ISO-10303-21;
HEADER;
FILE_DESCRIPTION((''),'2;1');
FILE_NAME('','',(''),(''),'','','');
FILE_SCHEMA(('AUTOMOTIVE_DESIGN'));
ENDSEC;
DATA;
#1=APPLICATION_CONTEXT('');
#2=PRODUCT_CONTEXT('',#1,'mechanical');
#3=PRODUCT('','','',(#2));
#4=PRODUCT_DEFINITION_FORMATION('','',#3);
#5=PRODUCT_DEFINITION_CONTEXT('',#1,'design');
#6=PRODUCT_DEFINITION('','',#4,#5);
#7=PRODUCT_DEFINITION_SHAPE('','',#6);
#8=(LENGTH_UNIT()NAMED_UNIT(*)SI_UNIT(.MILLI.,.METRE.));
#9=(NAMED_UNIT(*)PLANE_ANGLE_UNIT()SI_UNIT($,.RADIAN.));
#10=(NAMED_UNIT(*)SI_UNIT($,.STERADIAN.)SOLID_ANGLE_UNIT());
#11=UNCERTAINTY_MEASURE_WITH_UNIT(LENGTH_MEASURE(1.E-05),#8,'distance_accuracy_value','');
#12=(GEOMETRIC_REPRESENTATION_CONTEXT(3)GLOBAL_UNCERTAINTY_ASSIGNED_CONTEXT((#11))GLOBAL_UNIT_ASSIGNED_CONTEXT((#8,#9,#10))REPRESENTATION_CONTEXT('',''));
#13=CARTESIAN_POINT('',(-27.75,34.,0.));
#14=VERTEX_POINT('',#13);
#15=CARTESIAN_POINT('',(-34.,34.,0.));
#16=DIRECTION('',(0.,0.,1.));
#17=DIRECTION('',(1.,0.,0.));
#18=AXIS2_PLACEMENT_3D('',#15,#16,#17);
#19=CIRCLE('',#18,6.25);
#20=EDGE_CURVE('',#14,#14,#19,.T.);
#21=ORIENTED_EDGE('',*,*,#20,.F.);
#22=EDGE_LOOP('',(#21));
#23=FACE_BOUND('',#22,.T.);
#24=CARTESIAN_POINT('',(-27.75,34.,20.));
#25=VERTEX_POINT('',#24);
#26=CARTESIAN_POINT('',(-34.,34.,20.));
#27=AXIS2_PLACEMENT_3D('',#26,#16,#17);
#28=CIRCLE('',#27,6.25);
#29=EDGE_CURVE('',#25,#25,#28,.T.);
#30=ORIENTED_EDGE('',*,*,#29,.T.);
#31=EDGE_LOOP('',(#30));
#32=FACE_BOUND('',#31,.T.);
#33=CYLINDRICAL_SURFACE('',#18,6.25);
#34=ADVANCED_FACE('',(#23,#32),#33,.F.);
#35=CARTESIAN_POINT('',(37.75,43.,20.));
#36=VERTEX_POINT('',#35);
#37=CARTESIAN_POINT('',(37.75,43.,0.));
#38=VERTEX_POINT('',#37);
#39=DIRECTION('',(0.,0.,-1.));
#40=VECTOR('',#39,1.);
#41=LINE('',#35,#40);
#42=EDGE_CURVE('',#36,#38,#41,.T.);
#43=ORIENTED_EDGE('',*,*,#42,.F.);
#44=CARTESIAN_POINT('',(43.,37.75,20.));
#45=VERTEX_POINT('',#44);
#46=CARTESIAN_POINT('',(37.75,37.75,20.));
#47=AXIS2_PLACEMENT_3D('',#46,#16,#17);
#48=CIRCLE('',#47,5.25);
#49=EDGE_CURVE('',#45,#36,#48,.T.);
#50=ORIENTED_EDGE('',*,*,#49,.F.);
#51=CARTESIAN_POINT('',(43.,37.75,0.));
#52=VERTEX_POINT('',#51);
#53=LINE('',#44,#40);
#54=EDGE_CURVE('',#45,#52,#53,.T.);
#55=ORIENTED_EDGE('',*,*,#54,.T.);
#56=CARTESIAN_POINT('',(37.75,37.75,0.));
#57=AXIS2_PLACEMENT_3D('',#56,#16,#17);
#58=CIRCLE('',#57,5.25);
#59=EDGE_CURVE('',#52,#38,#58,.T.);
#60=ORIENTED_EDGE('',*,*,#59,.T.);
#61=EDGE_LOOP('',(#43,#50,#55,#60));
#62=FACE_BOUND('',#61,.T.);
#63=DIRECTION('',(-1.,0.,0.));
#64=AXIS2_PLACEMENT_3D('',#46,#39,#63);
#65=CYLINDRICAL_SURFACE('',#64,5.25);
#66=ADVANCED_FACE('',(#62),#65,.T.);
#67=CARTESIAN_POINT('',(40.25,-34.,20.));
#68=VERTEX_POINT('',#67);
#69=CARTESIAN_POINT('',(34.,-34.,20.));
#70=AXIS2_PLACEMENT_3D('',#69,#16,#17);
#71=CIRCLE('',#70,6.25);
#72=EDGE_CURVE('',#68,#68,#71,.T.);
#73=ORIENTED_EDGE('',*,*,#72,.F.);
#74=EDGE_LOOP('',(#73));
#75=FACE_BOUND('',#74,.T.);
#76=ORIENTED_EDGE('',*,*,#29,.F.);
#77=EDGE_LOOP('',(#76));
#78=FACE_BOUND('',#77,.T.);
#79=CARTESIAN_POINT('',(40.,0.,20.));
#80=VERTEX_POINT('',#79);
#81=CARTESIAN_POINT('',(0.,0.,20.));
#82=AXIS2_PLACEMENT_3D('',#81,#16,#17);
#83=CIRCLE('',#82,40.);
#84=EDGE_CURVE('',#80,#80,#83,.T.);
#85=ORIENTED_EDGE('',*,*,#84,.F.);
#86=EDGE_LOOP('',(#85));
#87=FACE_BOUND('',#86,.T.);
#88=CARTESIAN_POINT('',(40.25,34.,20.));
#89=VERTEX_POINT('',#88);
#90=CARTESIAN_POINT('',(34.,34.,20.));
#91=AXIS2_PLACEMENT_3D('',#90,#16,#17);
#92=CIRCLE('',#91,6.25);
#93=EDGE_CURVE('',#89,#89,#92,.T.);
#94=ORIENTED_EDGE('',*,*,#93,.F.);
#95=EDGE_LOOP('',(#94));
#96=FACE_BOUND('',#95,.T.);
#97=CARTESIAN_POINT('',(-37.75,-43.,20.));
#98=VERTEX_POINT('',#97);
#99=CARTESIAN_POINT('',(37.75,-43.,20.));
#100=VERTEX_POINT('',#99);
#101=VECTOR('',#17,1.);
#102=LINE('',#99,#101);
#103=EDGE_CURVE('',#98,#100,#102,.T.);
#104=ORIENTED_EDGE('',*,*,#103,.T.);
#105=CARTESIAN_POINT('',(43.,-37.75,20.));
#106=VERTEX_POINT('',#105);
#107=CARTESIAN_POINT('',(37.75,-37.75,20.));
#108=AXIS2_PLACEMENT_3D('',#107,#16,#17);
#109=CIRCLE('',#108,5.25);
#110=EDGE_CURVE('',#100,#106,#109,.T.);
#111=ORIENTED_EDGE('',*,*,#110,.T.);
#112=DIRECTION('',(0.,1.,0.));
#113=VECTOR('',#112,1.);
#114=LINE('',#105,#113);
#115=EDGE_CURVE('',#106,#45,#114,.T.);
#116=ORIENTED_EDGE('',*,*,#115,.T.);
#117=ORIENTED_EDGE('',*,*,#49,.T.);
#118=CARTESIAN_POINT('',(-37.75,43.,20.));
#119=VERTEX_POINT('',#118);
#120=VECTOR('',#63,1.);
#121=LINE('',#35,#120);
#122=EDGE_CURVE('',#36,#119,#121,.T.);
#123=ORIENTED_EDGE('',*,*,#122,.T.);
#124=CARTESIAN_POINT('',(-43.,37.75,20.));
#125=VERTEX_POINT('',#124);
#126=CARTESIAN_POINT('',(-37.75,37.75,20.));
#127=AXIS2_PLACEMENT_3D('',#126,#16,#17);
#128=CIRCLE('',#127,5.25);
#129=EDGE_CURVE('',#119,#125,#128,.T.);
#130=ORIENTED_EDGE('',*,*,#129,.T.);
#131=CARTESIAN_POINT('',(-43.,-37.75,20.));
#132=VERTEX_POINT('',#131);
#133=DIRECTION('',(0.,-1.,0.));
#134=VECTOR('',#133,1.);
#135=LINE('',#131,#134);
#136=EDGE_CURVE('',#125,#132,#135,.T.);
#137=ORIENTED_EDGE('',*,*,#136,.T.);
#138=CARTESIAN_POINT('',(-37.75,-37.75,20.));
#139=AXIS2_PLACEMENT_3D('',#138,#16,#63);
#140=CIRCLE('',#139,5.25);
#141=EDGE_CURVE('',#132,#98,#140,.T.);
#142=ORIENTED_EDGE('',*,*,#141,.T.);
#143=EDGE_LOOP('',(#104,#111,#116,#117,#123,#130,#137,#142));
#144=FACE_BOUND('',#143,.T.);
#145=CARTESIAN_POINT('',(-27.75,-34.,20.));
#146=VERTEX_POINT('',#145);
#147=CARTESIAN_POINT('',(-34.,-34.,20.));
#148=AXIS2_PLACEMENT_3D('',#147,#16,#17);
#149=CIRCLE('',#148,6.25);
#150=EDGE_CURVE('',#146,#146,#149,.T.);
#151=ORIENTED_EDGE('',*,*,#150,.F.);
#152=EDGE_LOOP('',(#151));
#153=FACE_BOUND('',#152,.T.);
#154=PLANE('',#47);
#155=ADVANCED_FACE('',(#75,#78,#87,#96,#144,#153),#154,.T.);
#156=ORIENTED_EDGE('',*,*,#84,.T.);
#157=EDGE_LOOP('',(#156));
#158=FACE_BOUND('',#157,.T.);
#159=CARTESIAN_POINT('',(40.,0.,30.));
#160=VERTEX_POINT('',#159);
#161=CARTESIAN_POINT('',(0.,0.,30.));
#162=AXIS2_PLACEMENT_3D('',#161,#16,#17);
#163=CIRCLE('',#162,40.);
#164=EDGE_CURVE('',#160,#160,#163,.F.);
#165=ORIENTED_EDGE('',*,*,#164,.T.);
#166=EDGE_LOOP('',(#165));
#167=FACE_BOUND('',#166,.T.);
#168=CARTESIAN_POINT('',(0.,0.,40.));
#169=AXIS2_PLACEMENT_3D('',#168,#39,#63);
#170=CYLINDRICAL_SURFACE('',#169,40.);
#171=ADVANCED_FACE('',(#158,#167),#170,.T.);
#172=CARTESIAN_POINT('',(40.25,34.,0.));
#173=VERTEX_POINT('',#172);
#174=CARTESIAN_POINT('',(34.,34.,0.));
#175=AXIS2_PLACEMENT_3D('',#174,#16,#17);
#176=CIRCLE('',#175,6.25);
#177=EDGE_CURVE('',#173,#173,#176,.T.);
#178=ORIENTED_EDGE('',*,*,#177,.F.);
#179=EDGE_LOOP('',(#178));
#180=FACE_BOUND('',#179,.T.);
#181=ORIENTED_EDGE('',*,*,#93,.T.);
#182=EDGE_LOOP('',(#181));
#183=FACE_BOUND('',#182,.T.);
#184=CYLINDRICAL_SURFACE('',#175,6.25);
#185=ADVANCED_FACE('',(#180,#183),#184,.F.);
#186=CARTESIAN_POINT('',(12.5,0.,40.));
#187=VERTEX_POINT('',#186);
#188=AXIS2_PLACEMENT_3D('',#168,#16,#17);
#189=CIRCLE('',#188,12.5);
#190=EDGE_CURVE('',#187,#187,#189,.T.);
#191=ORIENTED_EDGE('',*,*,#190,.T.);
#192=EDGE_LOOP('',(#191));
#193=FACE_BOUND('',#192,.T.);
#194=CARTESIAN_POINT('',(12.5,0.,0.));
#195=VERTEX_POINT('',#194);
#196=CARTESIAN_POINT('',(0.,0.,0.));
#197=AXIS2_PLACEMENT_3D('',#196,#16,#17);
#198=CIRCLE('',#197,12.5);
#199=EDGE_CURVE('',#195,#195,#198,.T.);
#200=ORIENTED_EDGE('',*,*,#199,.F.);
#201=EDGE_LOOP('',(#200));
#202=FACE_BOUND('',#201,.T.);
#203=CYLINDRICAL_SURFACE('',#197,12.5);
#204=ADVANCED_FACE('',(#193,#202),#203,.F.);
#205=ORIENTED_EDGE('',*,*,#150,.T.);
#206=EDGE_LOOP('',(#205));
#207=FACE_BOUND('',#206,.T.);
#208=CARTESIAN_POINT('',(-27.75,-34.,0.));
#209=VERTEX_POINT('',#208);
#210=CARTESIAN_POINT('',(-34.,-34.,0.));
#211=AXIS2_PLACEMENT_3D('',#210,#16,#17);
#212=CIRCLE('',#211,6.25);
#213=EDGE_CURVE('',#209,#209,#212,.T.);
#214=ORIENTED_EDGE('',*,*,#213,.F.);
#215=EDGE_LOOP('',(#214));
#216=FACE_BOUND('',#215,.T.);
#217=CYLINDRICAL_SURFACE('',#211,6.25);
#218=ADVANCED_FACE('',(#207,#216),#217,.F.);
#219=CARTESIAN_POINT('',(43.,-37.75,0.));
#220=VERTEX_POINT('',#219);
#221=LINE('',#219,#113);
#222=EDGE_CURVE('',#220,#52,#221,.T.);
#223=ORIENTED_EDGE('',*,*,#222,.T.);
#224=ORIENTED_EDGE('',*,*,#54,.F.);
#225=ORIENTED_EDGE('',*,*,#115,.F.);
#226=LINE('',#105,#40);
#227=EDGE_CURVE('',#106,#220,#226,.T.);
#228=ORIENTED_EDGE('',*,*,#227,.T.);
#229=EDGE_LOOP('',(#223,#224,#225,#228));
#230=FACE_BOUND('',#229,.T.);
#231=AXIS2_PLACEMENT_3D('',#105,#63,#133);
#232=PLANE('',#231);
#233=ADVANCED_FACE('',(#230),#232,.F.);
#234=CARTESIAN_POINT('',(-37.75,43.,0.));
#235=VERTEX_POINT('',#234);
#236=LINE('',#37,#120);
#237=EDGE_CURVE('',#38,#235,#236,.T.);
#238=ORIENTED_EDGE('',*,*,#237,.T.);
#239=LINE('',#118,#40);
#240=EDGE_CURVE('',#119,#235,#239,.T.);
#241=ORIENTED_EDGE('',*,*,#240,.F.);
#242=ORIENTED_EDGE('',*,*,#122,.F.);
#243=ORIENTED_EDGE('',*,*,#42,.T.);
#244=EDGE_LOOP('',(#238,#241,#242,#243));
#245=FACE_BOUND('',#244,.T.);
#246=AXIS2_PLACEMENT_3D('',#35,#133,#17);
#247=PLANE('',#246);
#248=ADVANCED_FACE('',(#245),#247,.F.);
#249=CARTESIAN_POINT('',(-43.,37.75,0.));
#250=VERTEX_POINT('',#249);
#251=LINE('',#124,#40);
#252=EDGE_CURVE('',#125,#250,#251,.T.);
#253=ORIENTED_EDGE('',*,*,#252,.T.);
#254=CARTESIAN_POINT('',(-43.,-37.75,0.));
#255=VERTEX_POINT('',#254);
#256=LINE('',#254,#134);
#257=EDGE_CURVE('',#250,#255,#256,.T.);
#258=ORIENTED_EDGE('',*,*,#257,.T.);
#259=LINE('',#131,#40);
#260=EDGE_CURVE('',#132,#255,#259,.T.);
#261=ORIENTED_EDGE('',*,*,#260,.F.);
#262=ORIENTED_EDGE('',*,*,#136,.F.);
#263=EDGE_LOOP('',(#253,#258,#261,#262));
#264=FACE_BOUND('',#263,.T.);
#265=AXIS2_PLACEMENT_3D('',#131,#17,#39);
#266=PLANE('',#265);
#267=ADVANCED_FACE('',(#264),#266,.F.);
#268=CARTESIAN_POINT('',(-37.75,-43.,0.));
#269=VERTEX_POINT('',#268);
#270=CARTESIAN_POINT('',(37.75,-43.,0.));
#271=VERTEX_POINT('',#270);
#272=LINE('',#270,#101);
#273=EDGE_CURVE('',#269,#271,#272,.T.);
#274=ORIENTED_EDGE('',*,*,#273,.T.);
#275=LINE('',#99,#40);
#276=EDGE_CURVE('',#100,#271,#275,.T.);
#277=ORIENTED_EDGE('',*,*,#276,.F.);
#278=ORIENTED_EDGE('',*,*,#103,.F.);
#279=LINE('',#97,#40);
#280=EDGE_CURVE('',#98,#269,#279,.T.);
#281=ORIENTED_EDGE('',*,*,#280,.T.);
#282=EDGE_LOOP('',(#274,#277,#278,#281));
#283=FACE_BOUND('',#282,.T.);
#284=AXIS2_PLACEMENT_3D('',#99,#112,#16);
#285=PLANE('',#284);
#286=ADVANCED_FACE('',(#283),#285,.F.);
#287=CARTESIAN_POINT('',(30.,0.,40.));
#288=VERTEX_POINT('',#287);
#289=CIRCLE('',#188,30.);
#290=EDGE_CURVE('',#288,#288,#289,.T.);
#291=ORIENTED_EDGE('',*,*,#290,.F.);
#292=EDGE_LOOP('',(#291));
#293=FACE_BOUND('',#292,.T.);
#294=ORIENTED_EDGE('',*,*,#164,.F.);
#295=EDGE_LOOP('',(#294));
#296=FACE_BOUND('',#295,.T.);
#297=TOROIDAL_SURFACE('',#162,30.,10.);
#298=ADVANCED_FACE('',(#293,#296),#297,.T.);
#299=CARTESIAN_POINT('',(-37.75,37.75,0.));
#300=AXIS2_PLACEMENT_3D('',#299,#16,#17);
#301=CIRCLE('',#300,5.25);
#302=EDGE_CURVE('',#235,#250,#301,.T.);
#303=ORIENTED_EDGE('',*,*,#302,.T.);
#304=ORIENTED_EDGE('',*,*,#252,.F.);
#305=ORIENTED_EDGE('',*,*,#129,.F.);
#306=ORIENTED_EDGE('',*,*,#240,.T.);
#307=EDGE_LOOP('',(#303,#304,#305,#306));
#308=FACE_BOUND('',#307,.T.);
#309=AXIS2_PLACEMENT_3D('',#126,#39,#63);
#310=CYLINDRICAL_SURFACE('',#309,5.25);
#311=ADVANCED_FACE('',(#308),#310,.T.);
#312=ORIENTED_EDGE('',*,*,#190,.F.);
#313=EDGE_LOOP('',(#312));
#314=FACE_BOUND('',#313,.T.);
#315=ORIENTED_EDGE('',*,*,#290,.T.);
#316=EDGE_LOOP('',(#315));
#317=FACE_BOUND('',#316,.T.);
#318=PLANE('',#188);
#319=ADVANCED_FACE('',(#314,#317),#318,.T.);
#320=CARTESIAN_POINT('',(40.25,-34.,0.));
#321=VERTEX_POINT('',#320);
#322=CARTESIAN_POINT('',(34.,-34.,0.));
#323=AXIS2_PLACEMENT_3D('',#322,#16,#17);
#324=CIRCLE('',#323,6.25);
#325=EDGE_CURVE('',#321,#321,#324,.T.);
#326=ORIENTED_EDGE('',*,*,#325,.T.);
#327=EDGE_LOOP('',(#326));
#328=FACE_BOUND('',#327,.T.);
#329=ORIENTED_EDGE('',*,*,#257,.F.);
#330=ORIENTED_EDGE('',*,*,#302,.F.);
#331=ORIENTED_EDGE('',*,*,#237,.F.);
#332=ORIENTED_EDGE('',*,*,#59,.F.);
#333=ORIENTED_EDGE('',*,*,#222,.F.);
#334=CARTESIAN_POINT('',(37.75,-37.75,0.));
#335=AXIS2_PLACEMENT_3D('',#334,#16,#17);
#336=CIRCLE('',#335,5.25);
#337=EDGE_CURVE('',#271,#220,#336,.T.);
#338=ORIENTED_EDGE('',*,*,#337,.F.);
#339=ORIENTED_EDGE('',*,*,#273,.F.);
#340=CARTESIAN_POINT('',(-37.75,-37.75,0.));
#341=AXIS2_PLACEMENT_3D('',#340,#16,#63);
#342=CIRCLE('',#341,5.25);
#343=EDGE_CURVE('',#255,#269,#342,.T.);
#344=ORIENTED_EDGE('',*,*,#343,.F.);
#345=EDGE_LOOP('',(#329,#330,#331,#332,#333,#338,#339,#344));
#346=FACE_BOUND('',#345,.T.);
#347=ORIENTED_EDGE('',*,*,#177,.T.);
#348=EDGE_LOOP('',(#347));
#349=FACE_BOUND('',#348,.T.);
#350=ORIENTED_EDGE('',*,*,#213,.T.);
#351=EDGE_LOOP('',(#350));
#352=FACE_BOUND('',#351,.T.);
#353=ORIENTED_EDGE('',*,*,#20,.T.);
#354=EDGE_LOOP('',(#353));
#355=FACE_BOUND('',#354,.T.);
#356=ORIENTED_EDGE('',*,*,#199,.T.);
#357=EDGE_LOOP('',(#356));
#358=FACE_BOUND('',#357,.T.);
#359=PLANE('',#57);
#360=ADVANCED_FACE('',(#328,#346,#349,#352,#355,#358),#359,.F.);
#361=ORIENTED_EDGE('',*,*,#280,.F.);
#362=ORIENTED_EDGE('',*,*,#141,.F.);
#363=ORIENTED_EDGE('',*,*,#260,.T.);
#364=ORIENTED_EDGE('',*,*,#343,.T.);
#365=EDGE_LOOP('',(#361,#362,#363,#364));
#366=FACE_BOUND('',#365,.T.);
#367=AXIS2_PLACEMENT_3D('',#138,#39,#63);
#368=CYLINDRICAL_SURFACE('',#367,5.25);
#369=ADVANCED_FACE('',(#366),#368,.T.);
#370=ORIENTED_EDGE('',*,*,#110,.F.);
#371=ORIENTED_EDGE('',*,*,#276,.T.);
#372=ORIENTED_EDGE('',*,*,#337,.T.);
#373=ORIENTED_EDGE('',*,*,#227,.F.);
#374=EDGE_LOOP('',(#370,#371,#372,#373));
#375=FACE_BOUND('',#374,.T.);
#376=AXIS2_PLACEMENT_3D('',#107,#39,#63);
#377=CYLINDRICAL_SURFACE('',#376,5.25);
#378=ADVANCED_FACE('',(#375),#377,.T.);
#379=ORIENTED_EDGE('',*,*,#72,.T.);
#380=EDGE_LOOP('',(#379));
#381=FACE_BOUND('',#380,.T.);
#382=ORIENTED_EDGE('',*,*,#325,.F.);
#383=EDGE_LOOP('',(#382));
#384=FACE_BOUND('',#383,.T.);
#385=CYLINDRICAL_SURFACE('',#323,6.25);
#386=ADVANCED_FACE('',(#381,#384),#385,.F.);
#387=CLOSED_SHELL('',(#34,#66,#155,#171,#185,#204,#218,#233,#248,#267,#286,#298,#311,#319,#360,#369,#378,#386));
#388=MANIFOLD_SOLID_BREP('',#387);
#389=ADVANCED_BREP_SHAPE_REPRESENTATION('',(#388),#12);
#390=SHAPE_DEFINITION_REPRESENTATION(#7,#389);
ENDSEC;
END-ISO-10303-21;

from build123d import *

# Parameters (mm, degrees)
BOSS_EXTRUDE1_DEPTH = 20
SKETCH2_R           = 40
BOSS_EXTRUDE2_DEPTH = 20
SKETCH3_R           = 12.5
SKETCH3_R_2         = 6.25
CUT_EXTRUDE1_DEPTH  = 41
FILLET1_R           = 10


with BuildPart() as part:
    # Sketch1 → Boss-Extrude1 (new body)
    with BuildSketch(Plane.XY):
        with BuildLine():
            Line((37.75, -43), (-37.75, -43))
            ThreePointArc((-37.75, -43), (-41.462310601, -41.462310601), (-43, -37.75))
            Line((-43, -37.75), (-43, 37.75))
            ThreePointArc((-43, 37.75), (-41.462310601, 41.462310601), (-37.75, 43))
            Line((-37.75, 43), (37.75, 43))
            ThreePointArc((37.75, 43), (41.462310601, 41.462310601), (43, 37.75))
            Line((43, 37.75), (43, -37.75))
            ThreePointArc((43, -37.75), (41.462310601, -41.462310601), (37.75, -43))
        make_face()
    extrude(amount=BOSS_EXTRUDE1_DEPTH)

    # Sketch2 → Boss-Extrude2 (add)
    with BuildSketch(Plane.XY.offset(20)):
        Circle(SKETCH2_R)
    extrude(amount=BOSS_EXTRUDE2_DEPTH)

    # Sketch3 → Cut-Extrude1 (cut, through all)
    with BuildSketch(Plane.XY.offset(40)):
        Circle(SKETCH3_R)
        with Locations((-34, 34)):
            Circle(SKETCH3_R_2)
        with Locations((34, 34)):
            Circle(SKETCH3_R_2)
        with Locations((34, -34)):
            Circle(SKETCH3_R_2)
        with Locations((-34, -34)):
            Circle(SKETCH3_R_2)
    extrude(amount=-CUT_EXTRUDE1_DEPTH, mode=Mode.SUBTRACT)

    # Fillet1
    fillet1_edges = [part.edges().sort_by_distance(p)[0] for p in [
        (-40, 0, 40),
    ]]
    fillet(fillet1_edges, radius=FILLET1_R)


solid = part.part
